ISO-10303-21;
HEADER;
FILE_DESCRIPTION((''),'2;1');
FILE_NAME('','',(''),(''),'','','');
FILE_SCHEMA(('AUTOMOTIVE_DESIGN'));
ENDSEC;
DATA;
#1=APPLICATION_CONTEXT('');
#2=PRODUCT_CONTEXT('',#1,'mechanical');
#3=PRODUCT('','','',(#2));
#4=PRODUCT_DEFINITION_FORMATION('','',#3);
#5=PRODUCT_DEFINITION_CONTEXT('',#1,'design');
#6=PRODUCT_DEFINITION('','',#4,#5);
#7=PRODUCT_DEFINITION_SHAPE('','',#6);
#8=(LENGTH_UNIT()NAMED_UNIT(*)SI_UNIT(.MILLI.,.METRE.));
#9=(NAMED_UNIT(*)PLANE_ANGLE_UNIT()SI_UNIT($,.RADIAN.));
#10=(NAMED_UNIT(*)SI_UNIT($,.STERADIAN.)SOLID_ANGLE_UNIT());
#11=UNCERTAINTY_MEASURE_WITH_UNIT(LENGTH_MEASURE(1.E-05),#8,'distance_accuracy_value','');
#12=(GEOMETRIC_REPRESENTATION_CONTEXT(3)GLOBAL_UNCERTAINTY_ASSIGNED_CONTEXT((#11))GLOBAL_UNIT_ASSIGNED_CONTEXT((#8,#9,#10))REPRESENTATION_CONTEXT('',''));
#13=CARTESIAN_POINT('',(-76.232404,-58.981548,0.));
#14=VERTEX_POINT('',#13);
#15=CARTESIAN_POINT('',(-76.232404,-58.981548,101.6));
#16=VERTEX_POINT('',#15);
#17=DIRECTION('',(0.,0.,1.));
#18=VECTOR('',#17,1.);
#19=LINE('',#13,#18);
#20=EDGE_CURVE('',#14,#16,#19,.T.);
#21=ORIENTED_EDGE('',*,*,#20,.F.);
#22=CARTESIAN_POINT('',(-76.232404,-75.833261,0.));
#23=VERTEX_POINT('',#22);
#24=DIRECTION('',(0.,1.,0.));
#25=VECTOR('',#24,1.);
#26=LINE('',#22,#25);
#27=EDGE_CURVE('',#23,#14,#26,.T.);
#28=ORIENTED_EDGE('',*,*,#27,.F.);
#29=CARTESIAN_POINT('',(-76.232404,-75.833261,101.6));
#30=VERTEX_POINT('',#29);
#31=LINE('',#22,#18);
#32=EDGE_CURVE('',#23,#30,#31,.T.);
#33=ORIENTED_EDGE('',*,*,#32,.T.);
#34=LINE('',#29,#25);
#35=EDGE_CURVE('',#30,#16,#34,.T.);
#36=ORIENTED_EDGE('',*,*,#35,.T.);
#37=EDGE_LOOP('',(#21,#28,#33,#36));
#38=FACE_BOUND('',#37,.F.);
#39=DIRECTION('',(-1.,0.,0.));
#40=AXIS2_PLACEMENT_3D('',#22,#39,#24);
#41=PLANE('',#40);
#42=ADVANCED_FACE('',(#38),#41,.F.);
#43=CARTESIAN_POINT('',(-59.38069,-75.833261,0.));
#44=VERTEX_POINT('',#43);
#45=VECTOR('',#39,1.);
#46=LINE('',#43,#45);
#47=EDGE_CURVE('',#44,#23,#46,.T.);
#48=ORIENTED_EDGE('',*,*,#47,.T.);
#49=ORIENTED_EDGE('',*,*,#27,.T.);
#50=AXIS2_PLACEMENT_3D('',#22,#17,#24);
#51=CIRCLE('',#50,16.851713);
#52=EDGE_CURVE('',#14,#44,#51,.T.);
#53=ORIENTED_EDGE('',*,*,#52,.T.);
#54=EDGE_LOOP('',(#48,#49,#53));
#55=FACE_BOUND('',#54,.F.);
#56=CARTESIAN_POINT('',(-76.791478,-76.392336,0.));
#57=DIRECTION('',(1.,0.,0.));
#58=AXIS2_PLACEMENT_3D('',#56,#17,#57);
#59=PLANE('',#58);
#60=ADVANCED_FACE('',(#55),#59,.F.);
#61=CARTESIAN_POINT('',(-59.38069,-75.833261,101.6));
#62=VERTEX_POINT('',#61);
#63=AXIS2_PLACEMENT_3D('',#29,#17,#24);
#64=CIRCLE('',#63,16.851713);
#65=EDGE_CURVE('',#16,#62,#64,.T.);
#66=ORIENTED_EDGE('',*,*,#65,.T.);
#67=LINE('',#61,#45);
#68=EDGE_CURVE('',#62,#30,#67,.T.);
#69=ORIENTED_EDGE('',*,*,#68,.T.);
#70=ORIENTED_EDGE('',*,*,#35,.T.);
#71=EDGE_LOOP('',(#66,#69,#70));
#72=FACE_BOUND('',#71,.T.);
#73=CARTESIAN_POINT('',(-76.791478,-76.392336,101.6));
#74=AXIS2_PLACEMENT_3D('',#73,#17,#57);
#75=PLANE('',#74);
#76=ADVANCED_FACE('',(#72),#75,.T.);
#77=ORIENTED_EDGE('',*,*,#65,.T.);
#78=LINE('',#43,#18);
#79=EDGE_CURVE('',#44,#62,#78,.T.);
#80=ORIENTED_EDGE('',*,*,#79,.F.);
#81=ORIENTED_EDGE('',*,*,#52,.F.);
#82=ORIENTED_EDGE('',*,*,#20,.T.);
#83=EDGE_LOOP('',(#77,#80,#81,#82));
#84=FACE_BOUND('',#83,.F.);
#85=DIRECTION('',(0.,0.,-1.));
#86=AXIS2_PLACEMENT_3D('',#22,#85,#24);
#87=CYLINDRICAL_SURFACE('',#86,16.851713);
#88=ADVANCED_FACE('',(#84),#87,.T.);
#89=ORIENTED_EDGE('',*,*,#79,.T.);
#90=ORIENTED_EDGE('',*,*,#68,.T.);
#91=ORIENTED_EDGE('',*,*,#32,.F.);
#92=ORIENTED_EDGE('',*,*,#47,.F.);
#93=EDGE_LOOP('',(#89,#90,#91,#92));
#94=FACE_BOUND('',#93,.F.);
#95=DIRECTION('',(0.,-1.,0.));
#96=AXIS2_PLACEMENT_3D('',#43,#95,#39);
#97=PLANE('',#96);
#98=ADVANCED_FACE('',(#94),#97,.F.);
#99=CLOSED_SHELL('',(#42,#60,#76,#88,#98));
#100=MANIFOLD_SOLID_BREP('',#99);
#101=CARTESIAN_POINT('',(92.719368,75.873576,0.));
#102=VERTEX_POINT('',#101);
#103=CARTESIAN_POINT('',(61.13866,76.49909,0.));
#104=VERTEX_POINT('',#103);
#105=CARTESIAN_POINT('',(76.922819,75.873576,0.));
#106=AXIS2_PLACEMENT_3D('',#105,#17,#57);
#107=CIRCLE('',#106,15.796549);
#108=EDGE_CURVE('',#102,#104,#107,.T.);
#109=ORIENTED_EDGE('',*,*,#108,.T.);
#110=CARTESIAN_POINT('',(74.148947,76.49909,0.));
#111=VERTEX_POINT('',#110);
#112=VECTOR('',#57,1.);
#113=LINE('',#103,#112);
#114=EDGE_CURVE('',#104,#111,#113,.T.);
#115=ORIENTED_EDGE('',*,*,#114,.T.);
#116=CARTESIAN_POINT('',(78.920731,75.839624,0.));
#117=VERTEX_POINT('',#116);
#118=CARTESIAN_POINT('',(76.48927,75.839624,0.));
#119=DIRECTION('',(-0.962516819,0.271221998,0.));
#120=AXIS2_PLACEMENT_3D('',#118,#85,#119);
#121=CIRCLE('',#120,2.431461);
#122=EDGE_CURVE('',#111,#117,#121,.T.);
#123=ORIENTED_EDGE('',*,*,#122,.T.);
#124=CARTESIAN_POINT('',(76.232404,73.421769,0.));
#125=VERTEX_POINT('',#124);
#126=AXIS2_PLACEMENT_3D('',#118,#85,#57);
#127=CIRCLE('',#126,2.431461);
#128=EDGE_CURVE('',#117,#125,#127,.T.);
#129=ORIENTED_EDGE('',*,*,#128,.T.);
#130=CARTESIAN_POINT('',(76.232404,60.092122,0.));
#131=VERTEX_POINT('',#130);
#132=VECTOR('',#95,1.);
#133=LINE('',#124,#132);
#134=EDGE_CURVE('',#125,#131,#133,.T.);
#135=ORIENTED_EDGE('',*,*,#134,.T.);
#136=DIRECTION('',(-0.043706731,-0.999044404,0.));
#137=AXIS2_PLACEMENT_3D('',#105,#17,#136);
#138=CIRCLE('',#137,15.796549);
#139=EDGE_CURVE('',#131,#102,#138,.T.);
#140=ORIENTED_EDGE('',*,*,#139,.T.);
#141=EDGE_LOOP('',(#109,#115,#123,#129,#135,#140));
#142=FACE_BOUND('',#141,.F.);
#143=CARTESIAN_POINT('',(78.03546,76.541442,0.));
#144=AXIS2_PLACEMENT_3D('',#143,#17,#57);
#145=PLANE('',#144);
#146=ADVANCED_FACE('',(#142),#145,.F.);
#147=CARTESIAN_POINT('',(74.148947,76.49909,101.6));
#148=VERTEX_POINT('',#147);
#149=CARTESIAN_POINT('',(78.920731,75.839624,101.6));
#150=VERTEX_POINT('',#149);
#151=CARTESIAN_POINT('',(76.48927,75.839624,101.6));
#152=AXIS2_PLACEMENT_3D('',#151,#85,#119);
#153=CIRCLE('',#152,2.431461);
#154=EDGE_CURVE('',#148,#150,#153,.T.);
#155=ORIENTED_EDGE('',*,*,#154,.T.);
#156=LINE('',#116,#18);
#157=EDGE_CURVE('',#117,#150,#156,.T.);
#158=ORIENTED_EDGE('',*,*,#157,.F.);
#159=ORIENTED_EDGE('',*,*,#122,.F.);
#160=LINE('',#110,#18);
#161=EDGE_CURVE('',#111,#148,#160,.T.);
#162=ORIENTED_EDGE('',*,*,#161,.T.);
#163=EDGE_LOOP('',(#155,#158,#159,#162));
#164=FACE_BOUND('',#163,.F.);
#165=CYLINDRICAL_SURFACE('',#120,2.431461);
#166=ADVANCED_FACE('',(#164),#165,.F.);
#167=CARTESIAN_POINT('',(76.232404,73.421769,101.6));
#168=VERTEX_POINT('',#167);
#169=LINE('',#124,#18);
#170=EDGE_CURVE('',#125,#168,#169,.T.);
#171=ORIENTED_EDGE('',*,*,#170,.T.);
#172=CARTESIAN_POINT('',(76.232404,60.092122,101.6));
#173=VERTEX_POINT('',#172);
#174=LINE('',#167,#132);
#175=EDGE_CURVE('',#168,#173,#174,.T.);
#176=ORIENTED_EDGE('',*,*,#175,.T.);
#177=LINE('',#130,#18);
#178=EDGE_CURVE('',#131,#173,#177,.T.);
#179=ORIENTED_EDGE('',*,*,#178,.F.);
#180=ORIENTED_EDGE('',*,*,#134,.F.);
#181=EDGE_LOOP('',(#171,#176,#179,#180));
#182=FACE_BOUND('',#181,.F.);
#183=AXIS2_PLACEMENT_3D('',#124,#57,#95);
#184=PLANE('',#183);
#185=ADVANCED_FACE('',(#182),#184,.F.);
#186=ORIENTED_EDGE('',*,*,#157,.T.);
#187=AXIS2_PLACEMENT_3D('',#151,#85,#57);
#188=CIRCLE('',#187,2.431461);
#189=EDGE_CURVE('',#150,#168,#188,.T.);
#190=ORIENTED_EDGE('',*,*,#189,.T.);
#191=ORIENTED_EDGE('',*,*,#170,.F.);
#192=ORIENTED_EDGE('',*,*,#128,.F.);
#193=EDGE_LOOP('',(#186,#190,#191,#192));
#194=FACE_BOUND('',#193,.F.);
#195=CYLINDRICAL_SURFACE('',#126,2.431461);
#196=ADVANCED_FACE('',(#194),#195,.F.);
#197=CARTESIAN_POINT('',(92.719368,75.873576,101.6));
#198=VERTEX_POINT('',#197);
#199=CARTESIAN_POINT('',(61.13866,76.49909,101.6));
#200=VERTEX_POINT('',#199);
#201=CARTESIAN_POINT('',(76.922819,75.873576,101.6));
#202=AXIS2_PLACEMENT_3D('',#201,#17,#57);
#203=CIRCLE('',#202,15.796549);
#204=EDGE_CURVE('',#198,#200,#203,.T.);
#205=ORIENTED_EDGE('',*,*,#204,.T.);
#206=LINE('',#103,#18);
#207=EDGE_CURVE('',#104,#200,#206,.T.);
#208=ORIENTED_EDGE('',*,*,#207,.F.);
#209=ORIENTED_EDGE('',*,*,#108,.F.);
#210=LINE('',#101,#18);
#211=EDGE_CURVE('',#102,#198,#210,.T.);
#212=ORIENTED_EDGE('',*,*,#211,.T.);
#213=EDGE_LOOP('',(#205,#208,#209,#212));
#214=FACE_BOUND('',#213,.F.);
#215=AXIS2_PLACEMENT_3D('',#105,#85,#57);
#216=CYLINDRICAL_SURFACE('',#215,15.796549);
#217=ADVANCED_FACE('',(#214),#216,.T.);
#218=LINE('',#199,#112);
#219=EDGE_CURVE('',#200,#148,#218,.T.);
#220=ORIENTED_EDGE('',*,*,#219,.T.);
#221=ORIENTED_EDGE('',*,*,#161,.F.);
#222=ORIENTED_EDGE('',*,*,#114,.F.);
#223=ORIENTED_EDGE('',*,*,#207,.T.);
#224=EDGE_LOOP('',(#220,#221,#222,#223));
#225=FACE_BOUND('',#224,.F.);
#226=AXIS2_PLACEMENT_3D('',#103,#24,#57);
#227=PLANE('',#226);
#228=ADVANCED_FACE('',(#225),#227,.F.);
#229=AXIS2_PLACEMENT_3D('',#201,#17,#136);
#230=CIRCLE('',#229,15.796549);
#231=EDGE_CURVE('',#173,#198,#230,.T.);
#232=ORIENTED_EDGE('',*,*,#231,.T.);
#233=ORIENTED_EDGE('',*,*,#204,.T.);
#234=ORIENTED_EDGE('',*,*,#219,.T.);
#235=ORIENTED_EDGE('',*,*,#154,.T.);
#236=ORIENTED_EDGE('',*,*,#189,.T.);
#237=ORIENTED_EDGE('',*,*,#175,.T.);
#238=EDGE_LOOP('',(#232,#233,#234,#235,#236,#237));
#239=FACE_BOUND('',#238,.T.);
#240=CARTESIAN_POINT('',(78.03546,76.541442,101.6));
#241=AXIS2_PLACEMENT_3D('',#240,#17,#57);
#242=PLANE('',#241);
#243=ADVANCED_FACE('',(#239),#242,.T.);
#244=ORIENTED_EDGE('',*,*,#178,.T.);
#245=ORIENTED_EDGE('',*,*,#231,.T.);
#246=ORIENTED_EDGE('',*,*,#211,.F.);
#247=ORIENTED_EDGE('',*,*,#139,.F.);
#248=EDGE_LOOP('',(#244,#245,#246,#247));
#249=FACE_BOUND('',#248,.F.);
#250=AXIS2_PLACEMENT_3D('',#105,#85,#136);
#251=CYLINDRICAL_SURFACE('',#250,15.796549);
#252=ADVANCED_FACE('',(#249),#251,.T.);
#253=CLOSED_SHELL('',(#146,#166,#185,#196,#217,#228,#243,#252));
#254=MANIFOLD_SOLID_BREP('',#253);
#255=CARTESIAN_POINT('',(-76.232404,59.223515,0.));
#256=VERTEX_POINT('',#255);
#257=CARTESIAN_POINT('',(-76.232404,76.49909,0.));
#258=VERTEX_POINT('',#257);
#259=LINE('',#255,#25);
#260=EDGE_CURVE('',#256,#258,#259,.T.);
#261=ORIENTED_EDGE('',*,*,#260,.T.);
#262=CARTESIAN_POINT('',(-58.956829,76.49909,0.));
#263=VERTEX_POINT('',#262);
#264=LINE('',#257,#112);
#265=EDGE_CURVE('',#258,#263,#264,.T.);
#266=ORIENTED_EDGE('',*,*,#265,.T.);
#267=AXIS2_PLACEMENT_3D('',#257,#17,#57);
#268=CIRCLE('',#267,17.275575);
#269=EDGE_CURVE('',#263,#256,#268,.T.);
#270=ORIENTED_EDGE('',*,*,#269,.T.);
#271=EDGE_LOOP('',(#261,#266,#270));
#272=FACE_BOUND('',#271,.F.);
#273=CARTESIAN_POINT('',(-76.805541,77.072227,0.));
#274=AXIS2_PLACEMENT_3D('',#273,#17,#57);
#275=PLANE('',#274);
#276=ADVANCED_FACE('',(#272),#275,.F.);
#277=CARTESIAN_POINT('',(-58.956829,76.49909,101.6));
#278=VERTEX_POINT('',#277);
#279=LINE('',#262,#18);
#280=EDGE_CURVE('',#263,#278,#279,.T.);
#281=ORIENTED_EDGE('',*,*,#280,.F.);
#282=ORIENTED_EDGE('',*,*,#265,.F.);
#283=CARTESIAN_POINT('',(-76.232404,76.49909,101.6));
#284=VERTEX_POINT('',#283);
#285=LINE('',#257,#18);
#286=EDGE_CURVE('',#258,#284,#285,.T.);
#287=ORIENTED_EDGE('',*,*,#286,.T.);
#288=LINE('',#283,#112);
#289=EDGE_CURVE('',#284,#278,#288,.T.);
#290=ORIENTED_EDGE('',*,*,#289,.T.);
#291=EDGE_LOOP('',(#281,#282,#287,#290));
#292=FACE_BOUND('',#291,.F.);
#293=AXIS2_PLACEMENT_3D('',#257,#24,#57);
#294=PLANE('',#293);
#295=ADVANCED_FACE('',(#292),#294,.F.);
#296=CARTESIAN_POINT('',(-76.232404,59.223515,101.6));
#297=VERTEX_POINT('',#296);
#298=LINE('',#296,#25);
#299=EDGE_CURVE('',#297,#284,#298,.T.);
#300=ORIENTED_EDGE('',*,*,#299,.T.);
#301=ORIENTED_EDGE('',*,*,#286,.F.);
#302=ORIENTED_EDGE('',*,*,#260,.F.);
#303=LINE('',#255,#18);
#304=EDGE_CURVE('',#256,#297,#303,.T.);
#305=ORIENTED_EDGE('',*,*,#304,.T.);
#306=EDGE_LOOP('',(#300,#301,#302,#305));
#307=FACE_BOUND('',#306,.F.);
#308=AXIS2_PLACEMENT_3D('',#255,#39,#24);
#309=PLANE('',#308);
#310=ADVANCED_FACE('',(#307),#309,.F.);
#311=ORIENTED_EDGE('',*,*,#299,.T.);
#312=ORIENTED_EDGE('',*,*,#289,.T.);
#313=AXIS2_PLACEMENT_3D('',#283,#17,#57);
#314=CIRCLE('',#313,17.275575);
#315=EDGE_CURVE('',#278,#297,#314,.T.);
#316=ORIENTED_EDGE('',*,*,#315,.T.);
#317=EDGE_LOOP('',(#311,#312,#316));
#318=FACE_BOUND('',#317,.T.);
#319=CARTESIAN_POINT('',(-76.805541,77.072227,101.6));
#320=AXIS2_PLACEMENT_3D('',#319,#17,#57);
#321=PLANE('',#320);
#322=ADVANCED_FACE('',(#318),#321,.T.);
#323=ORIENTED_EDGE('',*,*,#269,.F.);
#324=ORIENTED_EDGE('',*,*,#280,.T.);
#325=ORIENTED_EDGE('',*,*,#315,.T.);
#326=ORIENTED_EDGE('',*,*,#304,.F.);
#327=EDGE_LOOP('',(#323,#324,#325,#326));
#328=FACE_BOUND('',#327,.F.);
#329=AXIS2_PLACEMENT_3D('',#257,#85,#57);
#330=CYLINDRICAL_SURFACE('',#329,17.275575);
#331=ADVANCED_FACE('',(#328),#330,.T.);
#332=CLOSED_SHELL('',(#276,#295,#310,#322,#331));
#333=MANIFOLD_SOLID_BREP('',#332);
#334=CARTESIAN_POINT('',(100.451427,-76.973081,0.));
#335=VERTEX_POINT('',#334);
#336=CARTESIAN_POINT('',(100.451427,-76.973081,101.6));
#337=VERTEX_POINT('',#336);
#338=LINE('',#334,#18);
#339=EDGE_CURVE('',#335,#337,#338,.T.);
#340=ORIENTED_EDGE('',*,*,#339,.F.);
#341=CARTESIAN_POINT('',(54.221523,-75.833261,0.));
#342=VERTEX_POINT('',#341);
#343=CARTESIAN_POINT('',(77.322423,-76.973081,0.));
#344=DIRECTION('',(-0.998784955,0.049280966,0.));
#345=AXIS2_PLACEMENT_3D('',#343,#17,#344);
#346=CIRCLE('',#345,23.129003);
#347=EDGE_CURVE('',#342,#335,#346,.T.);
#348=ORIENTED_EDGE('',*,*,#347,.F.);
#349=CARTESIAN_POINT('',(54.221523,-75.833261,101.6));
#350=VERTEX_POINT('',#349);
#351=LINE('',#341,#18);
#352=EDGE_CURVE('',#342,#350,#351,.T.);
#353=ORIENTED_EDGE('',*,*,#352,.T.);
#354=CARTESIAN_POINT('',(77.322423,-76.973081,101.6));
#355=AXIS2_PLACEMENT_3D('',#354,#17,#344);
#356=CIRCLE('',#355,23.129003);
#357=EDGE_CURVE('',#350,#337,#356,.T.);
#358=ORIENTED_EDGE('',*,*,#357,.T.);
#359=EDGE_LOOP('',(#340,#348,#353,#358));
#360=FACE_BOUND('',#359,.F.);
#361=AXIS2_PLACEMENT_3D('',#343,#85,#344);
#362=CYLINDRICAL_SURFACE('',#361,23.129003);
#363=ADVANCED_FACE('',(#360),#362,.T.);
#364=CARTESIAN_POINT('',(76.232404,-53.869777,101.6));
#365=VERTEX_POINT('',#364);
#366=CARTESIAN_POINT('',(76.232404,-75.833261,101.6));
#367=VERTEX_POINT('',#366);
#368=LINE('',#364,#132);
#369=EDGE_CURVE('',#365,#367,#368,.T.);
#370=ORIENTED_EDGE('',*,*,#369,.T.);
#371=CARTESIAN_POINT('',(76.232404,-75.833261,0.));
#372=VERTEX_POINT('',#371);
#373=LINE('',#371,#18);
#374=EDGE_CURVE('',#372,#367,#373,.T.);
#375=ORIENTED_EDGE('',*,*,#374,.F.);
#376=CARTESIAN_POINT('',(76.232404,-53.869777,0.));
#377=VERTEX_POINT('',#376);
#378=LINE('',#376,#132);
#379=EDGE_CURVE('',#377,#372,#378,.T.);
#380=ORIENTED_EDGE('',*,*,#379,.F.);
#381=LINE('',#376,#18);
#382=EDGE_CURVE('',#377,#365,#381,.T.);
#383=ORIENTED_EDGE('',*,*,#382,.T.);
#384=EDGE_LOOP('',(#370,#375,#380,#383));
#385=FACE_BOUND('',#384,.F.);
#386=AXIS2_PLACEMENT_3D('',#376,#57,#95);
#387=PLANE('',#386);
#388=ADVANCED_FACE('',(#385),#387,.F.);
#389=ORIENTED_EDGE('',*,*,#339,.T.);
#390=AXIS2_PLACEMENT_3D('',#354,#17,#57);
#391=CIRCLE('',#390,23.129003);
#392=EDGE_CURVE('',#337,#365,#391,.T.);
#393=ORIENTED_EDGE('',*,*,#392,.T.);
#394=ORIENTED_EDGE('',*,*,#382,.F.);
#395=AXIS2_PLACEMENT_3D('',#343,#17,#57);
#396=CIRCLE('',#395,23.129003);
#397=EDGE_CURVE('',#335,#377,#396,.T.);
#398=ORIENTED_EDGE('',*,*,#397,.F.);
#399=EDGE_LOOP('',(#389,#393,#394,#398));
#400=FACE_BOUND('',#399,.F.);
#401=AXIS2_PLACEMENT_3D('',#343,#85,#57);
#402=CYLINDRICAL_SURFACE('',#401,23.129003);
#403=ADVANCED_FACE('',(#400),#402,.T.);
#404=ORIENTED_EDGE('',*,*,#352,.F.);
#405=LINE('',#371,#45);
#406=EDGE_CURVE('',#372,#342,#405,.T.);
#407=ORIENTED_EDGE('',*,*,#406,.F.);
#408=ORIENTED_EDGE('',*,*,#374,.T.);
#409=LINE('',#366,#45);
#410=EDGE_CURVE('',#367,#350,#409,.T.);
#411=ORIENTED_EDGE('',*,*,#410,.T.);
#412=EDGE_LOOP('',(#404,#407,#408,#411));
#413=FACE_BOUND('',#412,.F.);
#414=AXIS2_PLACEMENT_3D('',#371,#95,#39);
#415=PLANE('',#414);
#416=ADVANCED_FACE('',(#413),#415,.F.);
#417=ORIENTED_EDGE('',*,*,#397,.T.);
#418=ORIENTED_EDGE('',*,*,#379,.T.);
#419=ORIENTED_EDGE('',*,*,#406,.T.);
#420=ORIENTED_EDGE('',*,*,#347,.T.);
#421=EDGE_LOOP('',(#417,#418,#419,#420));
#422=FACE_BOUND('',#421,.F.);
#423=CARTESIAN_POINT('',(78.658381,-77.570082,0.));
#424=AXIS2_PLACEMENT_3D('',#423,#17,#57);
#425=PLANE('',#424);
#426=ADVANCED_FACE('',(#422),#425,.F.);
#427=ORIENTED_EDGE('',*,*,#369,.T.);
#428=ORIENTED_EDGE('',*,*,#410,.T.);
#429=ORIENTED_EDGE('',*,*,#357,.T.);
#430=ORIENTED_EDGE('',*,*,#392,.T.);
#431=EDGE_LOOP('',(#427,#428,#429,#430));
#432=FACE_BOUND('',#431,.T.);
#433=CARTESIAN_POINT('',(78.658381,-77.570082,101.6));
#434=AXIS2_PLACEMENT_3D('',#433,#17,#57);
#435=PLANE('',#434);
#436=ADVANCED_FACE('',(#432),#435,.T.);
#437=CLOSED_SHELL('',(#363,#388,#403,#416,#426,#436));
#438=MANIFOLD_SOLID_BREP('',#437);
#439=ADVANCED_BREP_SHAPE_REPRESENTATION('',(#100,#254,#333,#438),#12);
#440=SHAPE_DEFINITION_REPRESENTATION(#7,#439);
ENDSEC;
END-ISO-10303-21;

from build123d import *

# Parameters (mm, degrees)
F1_DEPTH = 101.6


with BuildPart() as f1:
    # F0 (on Top) → F1 (new body)
    with BuildSketch(Plane.XY):
        with BuildLine():
            Line((-76.2324035168, 59.2235147336), (-76.2324035168, 76.4990895987))
            Line((-76.2324035168, 76.4990895987), (-58.9568286517, 76.4990895987))
            ThreePointArc((-58.9568286517, 76.4990895987), (-88.4480796528, 88.7147657347), (-76.2324035168, 59.2235147336))
        make_face()
    extrude(amount=F1_DEPTH)


with BuildPart() as f1b:
    # F0 (on Top) → F1, piece 2 (new body)
    with BuildSketch(Plane.XY):
        with BuildLine():
            ThreePointArc((92.7193677561, 75.8735761046), (77.2356371082, 91.6670271799), (61.1386597157, 76.4990895987))
            Line((61.1386597157, 76.4990895987), (74.1489473443, 76.4990895987))
            ThreePointArc((74.1489473443, 76.4990895987), (76.822136609, 78.2481926071), (78.9207310251, 75.8396238089))
            ThreePointArc((78.9207310251, 75.8396238089), (78.1152223388, 74.0317847292), (76.2324035168, 73.4217686106))
            Line((76.2324035168, 73.4217686106), (76.2324035168, 60.0921224815))
            ThreePointArc((76.2324035168, 60.0921224815), (87.8458398895, 64.4622410788), (92.7193677561, 75.8735761046))
        make_face()
    extrude(amount=F1_DEPTH)


with BuildPart() as f1c:
    # F0 (on Top) → F1, piece 3 (new body)
    with BuildSketch(Plane.XY):
        with BuildLine():
            Line((-76.2324035168, -75.833261013), (-76.2324035168, -58.9815478394))
            ThreePointArc((-76.2324035168, -58.9815478394), (-88.1483641764, -87.7492216727), (-59.3806903431, -75.833261013))
            Line((-59.3806903431, -75.833261013), (-76.2324035168, -75.833261013))
        make_face()
    extrude(amount=F1_DEPTH)


with BuildPart() as f1d:
    # F0 (on Top) → F1, piece 4 (new body)
    with BuildSketch(Plane.XY):
        with BuildLine():
            ThreePointArc((100.451426673, -76.9730806351), (93.2870674408, -60.2374619665), (76.2324035168, -53.8697768401))
            Line((76.2324035168, -53.8697768401), (76.2324035168, -75.833261013))
            Line((76.2324035168, -75.833261013), (54.2215230223, -75.833261013))
            ThreePointArc((54.2215230223, -75.833261013), (76.7523404516, -100.0950570878), (100.451426673, -76.9730806351))
        make_face()
    extrude(amount=F1_DEPTH)


solid = Compound([f1.part, f1b.part, f1c.part, f1d.part])
